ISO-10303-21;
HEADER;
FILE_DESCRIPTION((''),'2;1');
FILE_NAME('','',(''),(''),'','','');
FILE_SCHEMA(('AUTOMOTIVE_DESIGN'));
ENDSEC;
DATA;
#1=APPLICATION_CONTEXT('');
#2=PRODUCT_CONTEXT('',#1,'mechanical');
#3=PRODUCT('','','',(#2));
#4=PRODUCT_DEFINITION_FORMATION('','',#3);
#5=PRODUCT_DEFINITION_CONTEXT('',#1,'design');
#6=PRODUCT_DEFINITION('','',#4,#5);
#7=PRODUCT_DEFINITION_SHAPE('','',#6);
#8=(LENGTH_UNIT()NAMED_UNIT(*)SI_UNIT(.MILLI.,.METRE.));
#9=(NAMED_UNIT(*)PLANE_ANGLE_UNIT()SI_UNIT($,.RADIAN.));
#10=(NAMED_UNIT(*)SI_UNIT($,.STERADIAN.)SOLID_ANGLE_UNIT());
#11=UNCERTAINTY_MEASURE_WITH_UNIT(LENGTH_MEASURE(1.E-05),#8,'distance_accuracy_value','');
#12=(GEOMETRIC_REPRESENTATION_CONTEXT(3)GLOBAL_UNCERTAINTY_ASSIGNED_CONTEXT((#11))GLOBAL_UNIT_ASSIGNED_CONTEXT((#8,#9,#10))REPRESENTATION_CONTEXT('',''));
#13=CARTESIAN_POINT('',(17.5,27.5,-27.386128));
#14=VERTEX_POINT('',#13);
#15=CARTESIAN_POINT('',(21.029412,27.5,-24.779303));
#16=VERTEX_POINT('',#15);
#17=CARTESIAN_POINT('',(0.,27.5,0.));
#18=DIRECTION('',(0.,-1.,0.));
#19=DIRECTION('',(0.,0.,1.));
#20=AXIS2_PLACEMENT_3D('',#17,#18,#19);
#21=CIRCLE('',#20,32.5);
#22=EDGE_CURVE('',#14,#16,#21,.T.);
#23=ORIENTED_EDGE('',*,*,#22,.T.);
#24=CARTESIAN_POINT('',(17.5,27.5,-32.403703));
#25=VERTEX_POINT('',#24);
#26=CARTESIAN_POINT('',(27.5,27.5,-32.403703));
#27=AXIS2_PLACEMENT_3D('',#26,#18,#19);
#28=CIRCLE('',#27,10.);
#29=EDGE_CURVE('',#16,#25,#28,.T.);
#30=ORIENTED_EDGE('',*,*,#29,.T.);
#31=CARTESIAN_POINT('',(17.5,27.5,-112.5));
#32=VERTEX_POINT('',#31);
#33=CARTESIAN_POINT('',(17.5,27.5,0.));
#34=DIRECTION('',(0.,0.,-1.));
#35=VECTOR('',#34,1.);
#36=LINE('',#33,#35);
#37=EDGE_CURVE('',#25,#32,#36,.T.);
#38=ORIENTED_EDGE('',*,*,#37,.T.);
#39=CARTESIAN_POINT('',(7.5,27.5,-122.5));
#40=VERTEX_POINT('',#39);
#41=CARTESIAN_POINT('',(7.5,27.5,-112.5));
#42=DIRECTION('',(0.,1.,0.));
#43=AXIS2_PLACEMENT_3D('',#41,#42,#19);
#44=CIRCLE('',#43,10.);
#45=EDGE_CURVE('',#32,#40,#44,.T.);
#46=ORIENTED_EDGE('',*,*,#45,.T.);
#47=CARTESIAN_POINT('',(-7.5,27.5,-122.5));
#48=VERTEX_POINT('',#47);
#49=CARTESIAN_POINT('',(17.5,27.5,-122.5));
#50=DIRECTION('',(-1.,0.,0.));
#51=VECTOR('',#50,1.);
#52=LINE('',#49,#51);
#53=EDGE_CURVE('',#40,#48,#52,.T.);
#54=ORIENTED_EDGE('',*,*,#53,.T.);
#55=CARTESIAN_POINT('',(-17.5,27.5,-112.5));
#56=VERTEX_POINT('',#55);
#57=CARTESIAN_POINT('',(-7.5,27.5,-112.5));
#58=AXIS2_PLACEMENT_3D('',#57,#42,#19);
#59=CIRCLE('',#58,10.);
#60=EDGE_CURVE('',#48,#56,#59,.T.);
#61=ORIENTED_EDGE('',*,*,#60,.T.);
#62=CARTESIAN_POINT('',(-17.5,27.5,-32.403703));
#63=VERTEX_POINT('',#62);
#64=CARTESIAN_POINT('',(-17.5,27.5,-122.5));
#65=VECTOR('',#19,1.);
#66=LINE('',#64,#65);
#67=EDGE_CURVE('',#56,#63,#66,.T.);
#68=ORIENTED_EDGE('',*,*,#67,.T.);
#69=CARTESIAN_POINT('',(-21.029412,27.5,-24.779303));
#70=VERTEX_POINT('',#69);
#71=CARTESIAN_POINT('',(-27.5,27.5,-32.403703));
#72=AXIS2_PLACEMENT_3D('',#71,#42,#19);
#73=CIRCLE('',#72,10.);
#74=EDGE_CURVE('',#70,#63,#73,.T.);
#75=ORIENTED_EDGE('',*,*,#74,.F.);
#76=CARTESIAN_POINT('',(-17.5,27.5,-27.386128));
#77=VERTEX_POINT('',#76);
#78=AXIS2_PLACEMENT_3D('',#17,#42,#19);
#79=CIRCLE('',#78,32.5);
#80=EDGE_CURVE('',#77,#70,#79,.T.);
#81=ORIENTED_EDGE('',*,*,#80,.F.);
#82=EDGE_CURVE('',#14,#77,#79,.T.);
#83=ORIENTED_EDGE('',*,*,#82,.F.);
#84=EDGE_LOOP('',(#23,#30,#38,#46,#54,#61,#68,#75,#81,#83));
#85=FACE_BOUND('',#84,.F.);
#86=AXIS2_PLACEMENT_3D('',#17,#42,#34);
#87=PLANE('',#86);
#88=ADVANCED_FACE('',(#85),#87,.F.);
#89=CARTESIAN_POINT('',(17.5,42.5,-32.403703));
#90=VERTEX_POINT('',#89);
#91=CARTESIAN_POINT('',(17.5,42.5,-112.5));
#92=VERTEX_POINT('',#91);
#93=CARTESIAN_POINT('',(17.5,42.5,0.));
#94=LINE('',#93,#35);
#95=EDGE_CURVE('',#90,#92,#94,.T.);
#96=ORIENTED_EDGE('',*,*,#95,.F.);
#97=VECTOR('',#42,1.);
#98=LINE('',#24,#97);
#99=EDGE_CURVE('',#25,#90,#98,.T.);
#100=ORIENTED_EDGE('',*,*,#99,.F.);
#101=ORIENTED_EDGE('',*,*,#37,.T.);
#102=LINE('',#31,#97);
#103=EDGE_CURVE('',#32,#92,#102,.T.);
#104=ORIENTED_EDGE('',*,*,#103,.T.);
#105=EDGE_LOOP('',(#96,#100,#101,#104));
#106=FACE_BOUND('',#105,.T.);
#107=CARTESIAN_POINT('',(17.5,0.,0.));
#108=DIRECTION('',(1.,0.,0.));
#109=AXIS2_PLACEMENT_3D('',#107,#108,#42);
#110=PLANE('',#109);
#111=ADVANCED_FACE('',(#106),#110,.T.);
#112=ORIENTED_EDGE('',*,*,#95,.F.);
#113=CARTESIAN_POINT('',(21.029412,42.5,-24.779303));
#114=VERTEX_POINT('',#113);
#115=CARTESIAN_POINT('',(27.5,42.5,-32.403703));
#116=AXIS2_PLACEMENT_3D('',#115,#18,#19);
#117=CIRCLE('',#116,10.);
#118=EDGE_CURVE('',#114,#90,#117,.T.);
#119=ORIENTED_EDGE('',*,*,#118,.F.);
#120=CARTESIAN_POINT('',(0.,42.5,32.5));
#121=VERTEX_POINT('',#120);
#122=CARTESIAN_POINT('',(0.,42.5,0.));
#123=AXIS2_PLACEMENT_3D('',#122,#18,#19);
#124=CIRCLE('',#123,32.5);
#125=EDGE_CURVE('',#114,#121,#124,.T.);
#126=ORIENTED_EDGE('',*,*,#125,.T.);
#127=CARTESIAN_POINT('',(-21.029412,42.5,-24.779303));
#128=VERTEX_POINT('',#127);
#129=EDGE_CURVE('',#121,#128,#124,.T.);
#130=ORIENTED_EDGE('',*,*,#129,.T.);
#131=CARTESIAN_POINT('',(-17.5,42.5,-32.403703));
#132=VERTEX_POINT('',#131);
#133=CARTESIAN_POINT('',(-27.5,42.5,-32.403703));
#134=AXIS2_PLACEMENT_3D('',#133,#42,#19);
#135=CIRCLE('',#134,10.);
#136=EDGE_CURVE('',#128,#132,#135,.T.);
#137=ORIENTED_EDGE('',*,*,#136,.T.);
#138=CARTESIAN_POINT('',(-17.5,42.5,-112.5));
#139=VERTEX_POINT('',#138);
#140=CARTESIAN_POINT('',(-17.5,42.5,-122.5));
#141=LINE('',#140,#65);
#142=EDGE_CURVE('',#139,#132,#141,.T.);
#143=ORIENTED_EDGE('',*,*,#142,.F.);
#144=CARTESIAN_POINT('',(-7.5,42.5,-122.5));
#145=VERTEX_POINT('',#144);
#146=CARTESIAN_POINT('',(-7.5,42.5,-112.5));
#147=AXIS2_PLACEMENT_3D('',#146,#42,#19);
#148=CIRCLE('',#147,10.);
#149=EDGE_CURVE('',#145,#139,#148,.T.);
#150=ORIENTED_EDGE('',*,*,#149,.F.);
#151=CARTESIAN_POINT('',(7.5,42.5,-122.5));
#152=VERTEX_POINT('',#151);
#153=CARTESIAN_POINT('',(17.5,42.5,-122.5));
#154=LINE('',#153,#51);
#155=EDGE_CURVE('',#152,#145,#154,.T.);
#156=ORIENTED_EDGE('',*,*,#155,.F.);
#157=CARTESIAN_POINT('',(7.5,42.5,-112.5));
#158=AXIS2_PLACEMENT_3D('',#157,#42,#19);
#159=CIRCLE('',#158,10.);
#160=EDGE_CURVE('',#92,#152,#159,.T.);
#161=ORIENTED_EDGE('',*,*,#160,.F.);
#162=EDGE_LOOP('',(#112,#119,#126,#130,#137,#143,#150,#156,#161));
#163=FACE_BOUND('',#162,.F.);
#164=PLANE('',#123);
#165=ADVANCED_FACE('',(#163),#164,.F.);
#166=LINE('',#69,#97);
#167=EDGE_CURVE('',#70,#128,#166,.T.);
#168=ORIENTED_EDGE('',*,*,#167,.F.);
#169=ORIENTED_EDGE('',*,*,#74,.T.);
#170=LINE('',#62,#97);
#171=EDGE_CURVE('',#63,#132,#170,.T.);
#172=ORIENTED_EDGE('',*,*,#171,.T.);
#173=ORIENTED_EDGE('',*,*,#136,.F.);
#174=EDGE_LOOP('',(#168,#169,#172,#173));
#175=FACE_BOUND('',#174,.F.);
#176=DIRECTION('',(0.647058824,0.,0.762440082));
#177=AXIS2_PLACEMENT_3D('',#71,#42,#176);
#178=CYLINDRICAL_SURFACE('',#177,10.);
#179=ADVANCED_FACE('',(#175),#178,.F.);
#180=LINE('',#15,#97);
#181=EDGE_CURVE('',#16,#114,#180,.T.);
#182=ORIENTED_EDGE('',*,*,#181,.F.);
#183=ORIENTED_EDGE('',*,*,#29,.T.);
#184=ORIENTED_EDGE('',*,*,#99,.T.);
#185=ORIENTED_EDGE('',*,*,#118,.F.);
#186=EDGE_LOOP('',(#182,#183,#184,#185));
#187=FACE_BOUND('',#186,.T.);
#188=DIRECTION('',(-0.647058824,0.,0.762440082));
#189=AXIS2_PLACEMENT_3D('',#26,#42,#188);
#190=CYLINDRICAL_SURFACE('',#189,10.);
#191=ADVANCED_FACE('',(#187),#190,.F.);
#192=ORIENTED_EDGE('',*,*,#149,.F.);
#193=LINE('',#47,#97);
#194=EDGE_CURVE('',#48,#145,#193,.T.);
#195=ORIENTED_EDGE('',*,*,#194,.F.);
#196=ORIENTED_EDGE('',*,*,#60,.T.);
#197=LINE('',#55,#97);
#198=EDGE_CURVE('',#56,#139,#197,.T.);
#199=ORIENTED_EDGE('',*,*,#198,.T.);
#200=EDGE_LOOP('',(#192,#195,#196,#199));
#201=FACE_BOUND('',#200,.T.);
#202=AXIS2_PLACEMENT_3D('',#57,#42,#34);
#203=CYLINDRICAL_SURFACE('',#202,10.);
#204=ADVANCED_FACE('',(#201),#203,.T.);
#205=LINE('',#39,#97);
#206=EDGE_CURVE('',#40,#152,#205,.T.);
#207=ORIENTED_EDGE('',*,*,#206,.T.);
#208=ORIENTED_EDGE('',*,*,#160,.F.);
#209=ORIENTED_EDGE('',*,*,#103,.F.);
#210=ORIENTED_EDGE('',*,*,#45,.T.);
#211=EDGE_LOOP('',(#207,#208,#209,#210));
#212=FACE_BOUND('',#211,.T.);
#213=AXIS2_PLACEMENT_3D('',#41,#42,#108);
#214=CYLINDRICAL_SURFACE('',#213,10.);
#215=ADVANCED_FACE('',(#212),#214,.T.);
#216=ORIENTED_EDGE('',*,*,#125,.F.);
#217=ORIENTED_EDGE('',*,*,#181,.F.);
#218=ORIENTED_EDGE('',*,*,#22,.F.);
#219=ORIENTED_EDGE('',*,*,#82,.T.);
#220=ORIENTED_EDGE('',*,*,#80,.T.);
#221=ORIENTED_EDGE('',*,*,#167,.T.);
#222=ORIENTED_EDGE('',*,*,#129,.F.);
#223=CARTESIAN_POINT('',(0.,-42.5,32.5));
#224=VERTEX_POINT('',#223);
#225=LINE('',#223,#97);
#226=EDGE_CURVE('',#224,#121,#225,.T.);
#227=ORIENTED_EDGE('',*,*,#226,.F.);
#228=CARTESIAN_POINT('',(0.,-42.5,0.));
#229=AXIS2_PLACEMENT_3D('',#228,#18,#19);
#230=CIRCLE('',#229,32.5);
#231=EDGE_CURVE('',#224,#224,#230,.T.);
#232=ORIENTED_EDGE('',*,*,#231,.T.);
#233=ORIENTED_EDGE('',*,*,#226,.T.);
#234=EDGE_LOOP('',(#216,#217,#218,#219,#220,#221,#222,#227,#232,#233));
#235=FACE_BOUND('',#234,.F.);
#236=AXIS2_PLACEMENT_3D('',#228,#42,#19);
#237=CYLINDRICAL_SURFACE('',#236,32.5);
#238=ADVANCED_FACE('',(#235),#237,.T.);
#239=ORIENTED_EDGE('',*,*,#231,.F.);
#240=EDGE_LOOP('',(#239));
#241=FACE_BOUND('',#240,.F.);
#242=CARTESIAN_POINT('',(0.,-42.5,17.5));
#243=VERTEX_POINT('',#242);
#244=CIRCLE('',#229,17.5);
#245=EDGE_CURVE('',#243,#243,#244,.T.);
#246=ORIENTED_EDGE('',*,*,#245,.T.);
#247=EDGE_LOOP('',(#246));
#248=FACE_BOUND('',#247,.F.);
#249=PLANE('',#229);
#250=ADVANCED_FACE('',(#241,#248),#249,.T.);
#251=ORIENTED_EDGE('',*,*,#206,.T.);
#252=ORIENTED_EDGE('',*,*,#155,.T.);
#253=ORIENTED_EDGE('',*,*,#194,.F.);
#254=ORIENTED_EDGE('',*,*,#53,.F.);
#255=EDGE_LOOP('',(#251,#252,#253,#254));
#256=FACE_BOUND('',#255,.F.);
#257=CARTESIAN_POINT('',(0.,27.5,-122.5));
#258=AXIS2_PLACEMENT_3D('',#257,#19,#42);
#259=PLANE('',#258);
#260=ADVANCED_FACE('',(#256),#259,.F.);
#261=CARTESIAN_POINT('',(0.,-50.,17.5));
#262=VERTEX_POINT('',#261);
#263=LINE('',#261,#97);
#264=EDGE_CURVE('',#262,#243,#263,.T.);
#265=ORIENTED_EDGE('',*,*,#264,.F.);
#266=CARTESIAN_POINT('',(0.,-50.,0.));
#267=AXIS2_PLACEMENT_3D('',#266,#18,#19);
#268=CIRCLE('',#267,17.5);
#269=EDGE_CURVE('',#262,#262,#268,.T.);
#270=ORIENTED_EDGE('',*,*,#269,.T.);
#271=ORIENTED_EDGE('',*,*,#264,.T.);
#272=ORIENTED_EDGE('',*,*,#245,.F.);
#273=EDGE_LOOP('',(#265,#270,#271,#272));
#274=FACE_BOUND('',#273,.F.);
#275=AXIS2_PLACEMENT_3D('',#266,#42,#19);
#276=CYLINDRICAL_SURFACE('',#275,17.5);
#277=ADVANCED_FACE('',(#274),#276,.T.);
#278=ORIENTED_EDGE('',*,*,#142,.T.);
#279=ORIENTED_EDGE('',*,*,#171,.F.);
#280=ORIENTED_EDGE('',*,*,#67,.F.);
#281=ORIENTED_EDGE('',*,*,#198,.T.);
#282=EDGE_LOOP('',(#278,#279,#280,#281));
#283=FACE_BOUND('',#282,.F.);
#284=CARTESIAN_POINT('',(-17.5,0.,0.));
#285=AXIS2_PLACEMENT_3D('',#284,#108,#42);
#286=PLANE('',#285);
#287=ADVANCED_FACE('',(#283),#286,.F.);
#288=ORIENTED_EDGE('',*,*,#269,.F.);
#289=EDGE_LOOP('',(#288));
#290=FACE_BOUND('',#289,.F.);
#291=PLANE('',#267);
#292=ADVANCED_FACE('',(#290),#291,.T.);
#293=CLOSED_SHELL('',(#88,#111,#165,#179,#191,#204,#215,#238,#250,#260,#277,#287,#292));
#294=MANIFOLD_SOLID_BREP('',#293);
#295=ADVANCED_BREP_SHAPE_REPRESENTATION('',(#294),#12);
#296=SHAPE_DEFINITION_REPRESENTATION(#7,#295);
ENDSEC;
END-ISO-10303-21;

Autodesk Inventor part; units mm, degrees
ref_plane "YZ Plane" through (0, 0, 0) normal (1, 0, 0) x (0, 1, 0)
ref_plane "XZ Plane" through (0, 0, 0) normal (0, 1, 0) x (-1, 0, 0)
ref_plane "XY Plane" through (0, 0, 0) normal (0, 0, 1) x (1, 0, 0)
sketch "Sketch1" plane through (0, 0, 0) normal (1, 0, 0) x (0, 1, 0)
  line L0 (42.5, 32.5) -> (-42.5, 32.5)
  line L1 (-42.5, 32.5) -> (-42.5, -32.5)
  line L2 (-42.5, -32.5) -> (42.5, -32.5)
  line L3 (42.5, -32.5) -> (42.5, 32.5)
  line L4 (42.5, 32.5) -> (-42.5, -32.5) construction
  line L5 (-42.5, 32.5) -> (42.5, -32.5) construction
  line L6 (-35, 17.5) -> (-50, 17.5)
  line L7 (-50, 17.5) -> (-50, -17.5)
  line L8 (-50, -17.5) -> (-35, -17.5)
  line L9 (-35, -17.5) -> (-35, 17.5)
  line L10 (-35, 17.5) -> (-50, -17.5) construction
  line L11 (-50, 17.5) -> (-35, -17.5) construction
  line L12 (42.5, 0) -> (-50, 0)
  line L13 (42.5, 0) -> (27.5, 0)
  line L14 (27.5, 0) -> (27.5, -122.5)
  line L15 (27.5, -122.5) -> (42.5, -122.5)
  line L16 (42.5, -122.5) -> (42.5, 0)
  point P0 (0, 0)
  point P1 (-42.5, 0)
  point P2 (-42.5, -17.5)
  dimension "d0" = 85
  dimension "d1" = 65
  dimension "d2" = 15
  dimension "d3" = 35
  dimension "d5" = 15
  dimension "d6" = 122.5
revolve "Revolution1" add sketch "Sketch1" angle 360 mid plane about axis through (0, 42.5, 0) along (0, -1, 0) contours L3 L2 L14 L12 | L14 L2 L1 L8 L9 L12 | L12 L9 L8 L1 | L1 L8 L7 L12
extrude "Extrusion1" add sketch "Sketch1" along normal mid plane 35 contours L3 L2 L14 L12 | L16 L15 L14 L2
fillet "Fillet1" radius 10 2 edges at (17.5, 35, -27.3861) (-17.5, 35, -27.3861)
fillet "Fillet2" radius 10 2 edges at (17.5, 35, -122.5) (-17.5, 35, -122.5)
properties part number "Wkp 01.03.2"
